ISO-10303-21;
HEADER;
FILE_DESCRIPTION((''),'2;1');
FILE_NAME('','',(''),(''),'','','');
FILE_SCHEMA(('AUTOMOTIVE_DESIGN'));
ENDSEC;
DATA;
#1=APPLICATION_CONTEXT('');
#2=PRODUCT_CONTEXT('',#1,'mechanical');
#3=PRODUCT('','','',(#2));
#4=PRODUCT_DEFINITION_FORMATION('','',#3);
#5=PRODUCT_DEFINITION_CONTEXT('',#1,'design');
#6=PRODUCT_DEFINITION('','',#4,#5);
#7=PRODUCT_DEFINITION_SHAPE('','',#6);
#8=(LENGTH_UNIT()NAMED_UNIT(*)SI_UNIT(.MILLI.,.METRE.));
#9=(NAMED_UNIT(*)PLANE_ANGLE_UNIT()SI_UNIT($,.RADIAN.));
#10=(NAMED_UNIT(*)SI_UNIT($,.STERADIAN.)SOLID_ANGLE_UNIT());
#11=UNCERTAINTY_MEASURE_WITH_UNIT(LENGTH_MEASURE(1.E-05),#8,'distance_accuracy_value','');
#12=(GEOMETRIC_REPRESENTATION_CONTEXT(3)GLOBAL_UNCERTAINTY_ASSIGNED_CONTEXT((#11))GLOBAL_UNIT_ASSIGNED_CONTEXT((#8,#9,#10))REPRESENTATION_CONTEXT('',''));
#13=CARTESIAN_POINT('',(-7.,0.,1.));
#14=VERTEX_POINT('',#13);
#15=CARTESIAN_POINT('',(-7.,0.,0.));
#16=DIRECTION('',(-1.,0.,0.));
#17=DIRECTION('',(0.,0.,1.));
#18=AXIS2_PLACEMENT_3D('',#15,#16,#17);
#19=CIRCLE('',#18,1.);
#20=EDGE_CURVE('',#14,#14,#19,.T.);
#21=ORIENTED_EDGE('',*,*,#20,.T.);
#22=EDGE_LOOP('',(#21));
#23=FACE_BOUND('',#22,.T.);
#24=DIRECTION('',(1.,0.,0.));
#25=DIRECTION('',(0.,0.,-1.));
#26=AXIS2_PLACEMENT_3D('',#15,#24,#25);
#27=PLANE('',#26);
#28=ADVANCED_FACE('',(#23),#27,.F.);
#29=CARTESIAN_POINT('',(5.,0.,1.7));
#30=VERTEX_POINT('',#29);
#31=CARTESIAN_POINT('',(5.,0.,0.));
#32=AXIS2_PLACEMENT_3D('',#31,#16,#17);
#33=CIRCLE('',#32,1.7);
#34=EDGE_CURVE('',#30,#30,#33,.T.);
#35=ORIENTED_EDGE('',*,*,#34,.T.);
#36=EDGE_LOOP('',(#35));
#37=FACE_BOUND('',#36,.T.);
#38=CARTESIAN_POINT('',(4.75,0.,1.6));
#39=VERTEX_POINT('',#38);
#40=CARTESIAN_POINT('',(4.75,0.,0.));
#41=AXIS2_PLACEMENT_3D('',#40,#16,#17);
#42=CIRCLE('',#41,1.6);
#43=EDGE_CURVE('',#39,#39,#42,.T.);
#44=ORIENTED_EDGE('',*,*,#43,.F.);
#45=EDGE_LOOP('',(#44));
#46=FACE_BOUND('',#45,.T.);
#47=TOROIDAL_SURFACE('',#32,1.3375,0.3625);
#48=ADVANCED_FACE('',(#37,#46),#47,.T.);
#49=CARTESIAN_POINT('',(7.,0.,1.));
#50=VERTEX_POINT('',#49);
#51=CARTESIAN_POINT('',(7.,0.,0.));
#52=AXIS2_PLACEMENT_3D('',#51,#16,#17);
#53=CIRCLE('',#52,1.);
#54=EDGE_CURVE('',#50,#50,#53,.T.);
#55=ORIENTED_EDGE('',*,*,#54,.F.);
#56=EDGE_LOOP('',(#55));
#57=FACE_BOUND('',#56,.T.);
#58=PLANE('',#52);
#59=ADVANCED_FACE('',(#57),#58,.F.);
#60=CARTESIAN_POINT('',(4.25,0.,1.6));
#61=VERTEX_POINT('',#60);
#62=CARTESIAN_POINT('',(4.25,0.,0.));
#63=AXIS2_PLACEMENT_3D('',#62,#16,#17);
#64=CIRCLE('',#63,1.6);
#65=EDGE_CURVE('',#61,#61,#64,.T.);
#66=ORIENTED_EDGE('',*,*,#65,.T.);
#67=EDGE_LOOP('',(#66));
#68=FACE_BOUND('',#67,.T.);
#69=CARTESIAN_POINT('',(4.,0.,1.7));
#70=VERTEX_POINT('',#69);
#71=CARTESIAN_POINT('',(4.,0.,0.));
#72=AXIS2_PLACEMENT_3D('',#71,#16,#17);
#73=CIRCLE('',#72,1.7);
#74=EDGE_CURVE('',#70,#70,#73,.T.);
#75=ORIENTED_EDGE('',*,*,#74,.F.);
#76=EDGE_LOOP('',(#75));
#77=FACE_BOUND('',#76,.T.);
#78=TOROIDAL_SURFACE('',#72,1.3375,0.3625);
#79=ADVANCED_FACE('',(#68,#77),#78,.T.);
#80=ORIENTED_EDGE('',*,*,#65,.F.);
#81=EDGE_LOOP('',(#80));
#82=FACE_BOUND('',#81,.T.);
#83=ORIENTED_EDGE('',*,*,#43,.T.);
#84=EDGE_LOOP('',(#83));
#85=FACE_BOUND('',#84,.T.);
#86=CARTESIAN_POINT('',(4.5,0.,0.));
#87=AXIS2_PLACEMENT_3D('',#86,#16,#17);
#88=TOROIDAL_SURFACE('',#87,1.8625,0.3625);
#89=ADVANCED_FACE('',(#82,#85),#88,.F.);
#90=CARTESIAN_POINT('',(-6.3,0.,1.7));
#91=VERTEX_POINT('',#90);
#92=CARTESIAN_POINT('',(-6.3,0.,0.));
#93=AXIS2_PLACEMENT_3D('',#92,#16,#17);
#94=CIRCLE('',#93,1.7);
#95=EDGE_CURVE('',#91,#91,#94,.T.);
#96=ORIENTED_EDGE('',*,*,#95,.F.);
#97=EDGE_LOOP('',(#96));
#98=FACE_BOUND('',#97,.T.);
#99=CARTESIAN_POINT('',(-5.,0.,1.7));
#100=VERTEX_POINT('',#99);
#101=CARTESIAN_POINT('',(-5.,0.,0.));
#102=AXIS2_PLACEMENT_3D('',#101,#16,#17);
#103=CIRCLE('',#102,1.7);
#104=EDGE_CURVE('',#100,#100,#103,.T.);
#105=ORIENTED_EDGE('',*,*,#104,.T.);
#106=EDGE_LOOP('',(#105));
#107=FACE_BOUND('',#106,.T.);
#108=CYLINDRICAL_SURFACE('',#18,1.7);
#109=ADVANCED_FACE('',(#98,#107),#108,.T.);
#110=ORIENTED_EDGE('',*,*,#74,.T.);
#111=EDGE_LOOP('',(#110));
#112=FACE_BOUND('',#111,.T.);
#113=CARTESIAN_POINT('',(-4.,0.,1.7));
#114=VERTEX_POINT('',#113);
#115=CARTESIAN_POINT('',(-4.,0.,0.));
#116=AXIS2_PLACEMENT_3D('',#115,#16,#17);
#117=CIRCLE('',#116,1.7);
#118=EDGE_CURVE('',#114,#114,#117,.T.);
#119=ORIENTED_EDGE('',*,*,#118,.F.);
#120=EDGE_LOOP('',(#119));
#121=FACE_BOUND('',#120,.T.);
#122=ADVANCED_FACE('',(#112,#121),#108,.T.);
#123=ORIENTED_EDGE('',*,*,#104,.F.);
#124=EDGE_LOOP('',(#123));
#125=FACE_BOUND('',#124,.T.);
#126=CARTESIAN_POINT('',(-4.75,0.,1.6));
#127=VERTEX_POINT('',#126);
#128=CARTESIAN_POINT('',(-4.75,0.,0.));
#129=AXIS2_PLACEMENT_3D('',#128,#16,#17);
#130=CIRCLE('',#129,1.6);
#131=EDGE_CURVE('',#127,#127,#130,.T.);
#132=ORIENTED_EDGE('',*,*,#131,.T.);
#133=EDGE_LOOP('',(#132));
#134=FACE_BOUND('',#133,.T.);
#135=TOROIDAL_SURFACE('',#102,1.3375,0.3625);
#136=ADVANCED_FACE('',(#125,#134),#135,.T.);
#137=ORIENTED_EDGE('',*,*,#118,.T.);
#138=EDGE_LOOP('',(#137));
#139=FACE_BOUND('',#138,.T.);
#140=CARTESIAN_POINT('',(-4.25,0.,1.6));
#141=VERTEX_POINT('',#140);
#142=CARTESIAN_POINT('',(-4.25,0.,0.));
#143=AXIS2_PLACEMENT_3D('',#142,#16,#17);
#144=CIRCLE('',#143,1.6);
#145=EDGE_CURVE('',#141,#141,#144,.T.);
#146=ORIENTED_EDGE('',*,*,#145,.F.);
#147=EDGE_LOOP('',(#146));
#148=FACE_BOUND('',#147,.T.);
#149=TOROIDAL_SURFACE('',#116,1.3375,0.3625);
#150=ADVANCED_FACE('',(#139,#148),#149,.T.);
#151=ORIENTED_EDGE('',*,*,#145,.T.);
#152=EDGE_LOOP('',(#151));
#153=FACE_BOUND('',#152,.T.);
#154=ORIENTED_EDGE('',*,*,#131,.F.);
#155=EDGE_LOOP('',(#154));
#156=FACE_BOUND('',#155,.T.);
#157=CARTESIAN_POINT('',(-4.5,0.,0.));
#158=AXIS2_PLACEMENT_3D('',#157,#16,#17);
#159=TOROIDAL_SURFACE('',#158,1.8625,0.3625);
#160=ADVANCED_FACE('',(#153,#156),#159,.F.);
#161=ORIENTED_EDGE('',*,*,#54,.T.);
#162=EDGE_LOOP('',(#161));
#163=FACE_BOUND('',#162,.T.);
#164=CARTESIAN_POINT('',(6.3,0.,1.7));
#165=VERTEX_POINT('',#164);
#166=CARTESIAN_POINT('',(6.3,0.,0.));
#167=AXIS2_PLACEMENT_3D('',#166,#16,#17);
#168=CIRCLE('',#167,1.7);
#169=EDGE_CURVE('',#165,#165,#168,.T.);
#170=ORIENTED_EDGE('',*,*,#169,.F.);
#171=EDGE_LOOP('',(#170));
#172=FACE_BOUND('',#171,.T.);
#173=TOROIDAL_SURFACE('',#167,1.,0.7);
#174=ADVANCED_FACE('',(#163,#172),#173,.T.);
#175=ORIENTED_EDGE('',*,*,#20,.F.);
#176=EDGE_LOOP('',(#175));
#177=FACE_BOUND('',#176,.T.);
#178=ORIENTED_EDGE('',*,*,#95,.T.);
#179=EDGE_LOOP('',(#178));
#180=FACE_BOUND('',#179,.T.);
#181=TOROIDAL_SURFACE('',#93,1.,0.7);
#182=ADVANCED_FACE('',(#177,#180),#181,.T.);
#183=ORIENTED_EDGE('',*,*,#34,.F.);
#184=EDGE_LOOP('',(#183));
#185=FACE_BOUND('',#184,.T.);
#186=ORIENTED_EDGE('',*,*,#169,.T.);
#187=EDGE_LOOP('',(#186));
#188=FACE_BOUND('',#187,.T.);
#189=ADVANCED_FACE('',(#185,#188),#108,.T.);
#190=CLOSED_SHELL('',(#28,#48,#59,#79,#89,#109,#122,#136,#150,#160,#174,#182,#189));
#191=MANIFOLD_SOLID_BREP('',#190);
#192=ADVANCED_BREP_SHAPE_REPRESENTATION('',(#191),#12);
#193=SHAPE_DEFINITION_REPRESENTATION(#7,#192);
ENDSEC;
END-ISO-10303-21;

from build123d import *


with BuildPart() as part:
    # Sketch2 → Revolve1 (revolve)
    with BuildSketch(Plane.XY, mode=Mode.PRIVATE) as revolve1_sk:
        with BuildLine():
            Line((-6.3, 1.7), (-5, 1.7))
            ThreePointArc((-5, 1.7), (-4.86537088, 1.6740728), (-4.75, 1.6))
            ThreePointArc((-4.75, 1.6), (-4.5, 1.5), (-4.25, 1.6))
            ThreePointArc((-4.25, 1.6), (-4.13462912, 1.6740728), (-4, 1.7))
            Line((-4, 1.7), (4, 1.7))
            ThreePointArc((4, 1.7), (4.13462912, 1.6740728), (4.25, 1.6))
            ThreePointArc((4.25, 1.6), (4.5, 1.5), (4.75, 1.6))
            ThreePointArc((4.75, 1.6), (4.86537088, 1.6740728), (5, 1.7))
            Line((5, 1.7), (6.3, 1.7))
            ThreePointArc((6.3, 1.7), (6.794974747, 1.494974747), (7, 1))
            Line((7, 1), (7, 0))
            Line((7, 0), (-7, 0))
            Line((-7, 0), (-7, 1))
            ThreePointArc((-7, 1), (-6.794974747, 1.494974747), (-6.3, 1.7))
        make_face()
    revolve(revolve1_sk.sketch.rotate(Axis((-7, 0, 0), (1, 0, 0)), 90), axis=Axis((-7, 0, 0), (1, 0, 0)))


solid = part.part
